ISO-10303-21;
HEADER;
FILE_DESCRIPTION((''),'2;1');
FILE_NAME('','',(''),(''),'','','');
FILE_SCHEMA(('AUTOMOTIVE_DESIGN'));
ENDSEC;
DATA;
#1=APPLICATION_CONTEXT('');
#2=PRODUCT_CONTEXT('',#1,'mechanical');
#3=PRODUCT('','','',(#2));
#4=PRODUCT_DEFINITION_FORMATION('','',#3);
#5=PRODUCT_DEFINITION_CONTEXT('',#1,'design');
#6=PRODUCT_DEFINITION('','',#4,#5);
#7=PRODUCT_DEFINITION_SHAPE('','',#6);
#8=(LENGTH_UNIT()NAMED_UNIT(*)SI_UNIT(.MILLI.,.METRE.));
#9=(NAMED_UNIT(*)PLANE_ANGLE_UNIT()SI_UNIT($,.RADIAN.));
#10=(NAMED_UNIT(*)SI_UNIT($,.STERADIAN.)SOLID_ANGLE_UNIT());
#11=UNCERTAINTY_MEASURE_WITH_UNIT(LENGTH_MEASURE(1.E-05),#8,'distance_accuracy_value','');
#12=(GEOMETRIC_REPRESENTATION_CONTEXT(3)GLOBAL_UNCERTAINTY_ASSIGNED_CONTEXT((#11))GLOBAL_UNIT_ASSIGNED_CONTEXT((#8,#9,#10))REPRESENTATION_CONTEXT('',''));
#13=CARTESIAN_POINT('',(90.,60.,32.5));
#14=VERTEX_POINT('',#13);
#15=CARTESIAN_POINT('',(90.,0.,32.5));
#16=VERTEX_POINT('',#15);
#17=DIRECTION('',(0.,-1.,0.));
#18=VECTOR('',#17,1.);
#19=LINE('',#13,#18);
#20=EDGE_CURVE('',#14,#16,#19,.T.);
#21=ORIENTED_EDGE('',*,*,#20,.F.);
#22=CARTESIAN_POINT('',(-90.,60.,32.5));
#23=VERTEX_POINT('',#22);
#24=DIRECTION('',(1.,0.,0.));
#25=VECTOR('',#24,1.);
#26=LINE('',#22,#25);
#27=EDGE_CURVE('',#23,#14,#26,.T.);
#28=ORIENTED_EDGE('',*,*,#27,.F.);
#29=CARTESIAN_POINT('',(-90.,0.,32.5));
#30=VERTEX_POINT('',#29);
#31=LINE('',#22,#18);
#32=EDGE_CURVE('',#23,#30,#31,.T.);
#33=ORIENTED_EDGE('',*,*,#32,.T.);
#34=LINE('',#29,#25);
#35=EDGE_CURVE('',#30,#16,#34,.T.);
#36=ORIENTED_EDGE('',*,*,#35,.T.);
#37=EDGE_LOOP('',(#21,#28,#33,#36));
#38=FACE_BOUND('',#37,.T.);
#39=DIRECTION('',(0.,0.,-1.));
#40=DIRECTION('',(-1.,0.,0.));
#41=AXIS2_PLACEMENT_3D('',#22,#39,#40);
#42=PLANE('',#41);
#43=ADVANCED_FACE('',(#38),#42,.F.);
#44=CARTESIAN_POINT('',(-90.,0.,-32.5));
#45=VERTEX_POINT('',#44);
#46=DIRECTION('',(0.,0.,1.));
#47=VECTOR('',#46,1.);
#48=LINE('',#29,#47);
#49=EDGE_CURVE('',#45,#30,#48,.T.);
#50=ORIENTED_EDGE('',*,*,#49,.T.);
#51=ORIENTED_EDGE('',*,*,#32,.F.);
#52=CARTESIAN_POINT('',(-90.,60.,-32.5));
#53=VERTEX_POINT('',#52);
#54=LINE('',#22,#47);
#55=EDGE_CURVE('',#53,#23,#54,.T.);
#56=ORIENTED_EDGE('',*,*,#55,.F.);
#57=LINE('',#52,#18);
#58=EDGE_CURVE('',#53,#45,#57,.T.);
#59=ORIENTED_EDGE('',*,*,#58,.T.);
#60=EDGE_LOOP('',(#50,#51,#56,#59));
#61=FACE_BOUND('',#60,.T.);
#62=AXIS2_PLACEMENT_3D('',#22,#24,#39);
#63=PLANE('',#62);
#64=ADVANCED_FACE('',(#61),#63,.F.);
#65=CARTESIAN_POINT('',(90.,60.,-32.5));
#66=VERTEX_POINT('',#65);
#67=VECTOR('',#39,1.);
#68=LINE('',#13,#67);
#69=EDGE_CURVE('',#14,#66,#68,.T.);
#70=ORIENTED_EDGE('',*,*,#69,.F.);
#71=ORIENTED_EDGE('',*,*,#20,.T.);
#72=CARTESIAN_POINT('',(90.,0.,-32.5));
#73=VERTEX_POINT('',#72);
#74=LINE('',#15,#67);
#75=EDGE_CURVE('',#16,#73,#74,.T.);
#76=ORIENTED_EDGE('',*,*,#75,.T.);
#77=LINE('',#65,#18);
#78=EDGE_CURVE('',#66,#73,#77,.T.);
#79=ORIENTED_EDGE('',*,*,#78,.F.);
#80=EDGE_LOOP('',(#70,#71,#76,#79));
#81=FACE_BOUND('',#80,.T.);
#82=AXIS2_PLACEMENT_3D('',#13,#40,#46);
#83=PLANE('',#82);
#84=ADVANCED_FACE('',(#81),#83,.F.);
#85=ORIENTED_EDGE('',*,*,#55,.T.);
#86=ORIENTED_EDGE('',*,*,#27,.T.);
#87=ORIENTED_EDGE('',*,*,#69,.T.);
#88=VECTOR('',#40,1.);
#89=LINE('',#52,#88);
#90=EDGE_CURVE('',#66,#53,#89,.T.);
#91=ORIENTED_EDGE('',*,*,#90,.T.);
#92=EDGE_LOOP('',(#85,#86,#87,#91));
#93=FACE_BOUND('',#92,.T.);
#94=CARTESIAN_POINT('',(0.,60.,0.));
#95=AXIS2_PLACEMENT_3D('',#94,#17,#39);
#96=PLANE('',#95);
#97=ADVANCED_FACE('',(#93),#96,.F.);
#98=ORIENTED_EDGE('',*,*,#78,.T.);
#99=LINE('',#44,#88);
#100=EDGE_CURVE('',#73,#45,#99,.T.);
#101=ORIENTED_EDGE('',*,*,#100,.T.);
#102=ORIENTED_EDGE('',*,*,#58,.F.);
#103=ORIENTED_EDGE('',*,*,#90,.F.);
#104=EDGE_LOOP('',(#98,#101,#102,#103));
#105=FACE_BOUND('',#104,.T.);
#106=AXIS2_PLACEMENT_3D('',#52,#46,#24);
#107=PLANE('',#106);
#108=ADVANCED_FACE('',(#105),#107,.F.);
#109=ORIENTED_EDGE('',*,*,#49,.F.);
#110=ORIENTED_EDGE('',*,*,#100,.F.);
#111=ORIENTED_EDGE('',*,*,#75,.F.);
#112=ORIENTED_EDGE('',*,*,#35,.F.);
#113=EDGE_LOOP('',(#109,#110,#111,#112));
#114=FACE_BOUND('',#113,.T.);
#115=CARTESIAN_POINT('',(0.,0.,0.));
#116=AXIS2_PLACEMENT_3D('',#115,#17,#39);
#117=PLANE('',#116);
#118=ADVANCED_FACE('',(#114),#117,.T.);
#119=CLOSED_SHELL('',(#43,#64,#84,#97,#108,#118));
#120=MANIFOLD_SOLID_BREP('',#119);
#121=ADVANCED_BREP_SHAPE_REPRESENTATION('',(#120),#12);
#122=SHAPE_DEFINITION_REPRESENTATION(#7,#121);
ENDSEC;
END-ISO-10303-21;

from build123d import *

# Parameters (mm, degrees)
SKETCH_1_W      = 180
SKETCH_1_H      = 65
EXTRUDE_1_DEPTH = 60


with BuildPart() as part:
    # Эскиз1 → Бобышка-Вытянуть1 (new body)
    with BuildSketch(Plane(origin=(0, 0, 0), x_dir=(1, 0, 0), z_dir=(0, 1, 0))):
        Rectangle(SKETCH_1_W, SKETCH_1_H)
    extrude(amount=EXTRUDE_1_DEPTH)


solid = part.part
